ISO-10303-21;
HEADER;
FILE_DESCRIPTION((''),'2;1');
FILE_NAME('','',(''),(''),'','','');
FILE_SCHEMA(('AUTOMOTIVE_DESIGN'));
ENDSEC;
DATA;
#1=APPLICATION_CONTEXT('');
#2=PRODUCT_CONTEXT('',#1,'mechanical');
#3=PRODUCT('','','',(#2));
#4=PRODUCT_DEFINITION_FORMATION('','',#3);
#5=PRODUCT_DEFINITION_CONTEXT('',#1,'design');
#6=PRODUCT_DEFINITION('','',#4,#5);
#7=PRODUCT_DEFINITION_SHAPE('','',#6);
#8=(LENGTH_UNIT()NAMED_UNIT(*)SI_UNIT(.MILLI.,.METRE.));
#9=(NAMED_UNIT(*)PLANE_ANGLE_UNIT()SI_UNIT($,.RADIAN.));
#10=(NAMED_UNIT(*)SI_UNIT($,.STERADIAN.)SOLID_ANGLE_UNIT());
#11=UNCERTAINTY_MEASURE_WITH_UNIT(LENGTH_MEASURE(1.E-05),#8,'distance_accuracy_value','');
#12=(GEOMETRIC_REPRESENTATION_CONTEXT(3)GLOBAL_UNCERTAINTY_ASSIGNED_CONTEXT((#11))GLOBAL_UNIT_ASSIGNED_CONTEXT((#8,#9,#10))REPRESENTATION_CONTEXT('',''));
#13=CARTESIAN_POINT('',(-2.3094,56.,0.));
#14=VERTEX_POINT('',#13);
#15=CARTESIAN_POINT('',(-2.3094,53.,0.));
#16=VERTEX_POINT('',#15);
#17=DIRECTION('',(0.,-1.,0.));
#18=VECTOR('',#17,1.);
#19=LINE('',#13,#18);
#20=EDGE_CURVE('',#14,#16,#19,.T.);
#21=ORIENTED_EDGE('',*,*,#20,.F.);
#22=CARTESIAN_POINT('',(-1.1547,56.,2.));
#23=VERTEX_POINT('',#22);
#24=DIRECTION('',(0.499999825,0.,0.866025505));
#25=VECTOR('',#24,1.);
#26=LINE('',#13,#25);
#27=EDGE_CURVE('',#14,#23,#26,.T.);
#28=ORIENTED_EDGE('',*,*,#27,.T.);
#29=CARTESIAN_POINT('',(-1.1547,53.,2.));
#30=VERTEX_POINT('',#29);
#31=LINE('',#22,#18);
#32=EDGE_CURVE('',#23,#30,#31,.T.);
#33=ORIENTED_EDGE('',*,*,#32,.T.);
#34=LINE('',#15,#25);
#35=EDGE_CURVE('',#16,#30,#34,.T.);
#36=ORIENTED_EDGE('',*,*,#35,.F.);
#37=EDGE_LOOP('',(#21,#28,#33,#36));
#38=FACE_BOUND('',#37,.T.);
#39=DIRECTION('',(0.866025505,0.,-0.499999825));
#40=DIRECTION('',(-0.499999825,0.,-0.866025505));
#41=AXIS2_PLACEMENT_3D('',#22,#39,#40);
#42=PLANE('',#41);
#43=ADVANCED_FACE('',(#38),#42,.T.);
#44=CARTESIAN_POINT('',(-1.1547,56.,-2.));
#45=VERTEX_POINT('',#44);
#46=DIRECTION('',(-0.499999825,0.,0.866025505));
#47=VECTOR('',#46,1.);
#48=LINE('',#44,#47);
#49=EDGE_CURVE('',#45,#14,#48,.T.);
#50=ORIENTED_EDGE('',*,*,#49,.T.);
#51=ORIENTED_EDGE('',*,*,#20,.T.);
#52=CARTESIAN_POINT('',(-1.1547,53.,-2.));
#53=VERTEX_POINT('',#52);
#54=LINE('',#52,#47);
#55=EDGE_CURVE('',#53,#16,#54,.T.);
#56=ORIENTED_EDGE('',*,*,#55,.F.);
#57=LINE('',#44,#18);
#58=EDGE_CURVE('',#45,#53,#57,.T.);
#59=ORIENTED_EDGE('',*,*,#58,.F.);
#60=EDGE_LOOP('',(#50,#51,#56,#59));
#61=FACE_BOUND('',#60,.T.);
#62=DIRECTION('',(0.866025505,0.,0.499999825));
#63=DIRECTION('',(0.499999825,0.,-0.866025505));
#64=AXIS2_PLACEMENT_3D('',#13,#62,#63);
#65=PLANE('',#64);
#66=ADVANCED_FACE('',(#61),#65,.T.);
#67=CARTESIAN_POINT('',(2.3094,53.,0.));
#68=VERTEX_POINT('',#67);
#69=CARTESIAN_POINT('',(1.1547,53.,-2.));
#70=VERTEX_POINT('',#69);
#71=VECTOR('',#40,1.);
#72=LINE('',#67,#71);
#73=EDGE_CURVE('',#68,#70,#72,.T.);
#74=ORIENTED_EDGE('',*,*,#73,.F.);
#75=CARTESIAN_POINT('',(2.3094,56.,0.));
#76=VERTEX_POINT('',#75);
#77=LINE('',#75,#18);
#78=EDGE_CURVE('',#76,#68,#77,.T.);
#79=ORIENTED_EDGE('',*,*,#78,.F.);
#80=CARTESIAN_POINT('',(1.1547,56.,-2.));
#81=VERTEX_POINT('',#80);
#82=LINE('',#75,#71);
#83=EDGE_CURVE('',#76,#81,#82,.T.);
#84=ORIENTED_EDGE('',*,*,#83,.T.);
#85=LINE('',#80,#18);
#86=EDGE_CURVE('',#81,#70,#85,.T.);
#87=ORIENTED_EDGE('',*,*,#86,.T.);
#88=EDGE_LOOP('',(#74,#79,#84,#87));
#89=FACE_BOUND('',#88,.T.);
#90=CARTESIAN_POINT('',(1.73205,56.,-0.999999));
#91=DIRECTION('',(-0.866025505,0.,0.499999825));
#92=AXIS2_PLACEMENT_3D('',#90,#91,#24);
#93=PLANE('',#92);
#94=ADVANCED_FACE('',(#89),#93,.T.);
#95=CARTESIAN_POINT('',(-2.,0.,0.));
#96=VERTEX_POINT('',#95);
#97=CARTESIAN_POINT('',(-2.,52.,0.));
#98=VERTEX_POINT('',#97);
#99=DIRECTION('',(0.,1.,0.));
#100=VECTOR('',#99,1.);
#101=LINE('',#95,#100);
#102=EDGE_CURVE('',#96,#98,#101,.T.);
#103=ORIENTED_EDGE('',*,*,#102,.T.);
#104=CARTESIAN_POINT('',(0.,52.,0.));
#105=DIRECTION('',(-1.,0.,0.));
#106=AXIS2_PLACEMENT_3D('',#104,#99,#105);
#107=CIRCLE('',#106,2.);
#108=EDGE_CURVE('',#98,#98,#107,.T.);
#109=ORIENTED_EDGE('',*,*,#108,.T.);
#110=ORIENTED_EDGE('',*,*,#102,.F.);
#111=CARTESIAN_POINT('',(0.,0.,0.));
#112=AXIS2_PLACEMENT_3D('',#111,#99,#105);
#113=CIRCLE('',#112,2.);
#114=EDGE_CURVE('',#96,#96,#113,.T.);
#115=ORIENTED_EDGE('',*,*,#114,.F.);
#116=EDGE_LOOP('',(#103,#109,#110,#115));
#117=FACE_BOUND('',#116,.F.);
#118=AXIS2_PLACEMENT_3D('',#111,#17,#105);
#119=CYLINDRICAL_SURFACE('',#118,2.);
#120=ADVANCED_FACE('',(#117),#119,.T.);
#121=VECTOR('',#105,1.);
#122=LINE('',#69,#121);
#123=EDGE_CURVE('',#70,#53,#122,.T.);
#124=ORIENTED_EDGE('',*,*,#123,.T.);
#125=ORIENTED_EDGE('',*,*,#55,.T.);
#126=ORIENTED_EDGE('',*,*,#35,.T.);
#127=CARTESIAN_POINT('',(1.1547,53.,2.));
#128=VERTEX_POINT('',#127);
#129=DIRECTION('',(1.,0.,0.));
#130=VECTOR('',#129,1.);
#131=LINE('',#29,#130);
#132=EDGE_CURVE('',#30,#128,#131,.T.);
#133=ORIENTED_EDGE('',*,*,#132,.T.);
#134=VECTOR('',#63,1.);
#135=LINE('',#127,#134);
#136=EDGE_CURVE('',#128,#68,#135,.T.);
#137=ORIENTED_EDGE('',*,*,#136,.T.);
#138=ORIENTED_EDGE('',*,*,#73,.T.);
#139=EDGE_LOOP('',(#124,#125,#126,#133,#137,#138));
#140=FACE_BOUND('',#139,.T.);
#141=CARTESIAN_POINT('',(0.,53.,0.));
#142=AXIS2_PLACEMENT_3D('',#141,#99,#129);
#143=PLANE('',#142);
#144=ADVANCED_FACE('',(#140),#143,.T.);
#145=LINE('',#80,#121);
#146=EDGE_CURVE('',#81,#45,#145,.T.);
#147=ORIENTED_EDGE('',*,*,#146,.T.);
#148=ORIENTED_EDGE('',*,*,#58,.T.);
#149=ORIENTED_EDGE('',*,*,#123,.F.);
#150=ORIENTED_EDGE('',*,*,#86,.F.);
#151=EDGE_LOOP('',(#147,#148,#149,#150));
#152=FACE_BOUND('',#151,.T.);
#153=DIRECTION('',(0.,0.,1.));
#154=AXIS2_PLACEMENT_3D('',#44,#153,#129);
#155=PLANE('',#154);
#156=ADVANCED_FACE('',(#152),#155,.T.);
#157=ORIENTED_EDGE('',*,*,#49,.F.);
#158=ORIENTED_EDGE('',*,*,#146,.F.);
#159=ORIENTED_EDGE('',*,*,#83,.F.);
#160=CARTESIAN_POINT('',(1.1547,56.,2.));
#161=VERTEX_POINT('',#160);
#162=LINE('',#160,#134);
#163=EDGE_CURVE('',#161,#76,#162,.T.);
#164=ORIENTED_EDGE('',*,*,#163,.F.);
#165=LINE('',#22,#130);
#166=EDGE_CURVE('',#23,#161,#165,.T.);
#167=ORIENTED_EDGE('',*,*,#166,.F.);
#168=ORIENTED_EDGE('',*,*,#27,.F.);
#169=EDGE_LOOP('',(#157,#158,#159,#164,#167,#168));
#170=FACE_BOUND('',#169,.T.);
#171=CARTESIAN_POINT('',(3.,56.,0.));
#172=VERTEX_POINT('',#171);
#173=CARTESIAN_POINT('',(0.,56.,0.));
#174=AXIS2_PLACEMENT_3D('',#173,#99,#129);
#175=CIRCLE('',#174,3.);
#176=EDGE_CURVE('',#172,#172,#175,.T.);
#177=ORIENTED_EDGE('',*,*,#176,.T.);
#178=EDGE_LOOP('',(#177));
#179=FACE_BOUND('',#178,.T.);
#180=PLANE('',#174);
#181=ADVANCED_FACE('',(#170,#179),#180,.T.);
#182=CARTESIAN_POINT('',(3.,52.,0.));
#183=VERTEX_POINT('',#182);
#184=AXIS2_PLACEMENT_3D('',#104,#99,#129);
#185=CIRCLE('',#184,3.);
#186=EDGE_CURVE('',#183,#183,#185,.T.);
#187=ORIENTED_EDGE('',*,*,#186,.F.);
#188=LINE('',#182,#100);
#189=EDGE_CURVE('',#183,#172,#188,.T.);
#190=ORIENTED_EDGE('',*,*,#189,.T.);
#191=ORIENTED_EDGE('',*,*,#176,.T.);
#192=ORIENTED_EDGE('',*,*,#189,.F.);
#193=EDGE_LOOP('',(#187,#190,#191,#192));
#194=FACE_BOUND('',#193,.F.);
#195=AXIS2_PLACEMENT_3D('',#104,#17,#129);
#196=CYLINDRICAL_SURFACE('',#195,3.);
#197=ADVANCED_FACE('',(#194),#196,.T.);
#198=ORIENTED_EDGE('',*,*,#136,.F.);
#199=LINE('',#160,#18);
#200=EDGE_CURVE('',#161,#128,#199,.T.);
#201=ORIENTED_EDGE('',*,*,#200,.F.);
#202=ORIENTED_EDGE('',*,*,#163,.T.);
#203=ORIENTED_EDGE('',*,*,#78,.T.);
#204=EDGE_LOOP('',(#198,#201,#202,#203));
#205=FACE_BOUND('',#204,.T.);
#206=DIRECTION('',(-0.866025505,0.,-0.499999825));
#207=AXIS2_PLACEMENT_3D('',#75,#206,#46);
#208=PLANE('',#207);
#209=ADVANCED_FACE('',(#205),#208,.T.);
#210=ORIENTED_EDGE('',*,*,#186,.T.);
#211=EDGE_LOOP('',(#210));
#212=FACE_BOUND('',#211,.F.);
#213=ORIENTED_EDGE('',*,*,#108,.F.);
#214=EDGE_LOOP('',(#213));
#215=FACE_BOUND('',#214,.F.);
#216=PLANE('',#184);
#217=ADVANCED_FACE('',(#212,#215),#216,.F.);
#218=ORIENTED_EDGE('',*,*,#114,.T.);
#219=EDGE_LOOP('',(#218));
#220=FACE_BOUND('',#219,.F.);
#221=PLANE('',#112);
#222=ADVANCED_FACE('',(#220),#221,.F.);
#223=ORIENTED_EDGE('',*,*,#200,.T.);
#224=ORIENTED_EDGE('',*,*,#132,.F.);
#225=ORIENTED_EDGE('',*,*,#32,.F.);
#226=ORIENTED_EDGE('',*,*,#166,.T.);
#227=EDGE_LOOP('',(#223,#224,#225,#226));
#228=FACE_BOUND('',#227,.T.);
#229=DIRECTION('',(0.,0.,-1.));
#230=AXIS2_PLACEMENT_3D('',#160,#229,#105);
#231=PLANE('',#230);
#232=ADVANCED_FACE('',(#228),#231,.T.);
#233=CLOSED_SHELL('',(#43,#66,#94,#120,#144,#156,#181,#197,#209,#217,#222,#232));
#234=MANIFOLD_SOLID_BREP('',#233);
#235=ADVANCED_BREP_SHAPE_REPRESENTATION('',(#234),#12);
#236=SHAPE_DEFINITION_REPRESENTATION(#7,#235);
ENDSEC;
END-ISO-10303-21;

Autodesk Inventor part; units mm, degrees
ref_plane "YZ Plane" through (0, 0, 0) normal (1, 0, 0) x (0, 1, 0)
ref_plane "XZ Plane" through (0, 0, 0) normal (0, 1, 0) x (-1, 0, 0)
ref_plane "XY Plane" through (0, 0, 0) normal (0, 0, 1) x (1, 0, 0)
sketch "Sketch1" plane through (0, 0, 0) normal (0, 1, 0) x (-1, 0, 0)
  circle A0 centre (0, 0) radius 2
  dimension "d0" = 4
extrude "Extrusion1" add sketch "Sketch1" along normal blind 52
thread "Thread1" size "M4x0.7" class "6g" standard "ANSI Metric M Profile" full length
sketch "Sketch2" plane through (0, 52, 0) normal (0, 1, 0) x (1, 0, 0)
  circle A0 centre (0, 0) radius 3
  dimension "d5" = 6
extrude "Extrusion2" add sketch "Sketch2" along normal blind 4
sketch "Sketch3" plane through (0, 56, 0) normal (0, 1, 0) x (1, 0, 0)
  circle A0 centre (0, 0) radius 2 projected
  line L0 (1.1547, 2) -> (2.3094, 0)
  line L1 (2.3094, 0) -> (1.1547, -2)
  line L2 (1.1547, -2) -> (-1.1547, -2)
  line L3 (-1.1547, -2) -> (-2.3094, 0)
  line L4 (-2.3094, 0) -> (-1.1547, 2)
  line L5 (-1.1547, 2) -> (1.1547, 2)
  point P0 (0, 2)
extrude "Extrusion3" cut sketch "Sketch3" against normal blind 3
properties part number "New Bolt" material "Steel"
